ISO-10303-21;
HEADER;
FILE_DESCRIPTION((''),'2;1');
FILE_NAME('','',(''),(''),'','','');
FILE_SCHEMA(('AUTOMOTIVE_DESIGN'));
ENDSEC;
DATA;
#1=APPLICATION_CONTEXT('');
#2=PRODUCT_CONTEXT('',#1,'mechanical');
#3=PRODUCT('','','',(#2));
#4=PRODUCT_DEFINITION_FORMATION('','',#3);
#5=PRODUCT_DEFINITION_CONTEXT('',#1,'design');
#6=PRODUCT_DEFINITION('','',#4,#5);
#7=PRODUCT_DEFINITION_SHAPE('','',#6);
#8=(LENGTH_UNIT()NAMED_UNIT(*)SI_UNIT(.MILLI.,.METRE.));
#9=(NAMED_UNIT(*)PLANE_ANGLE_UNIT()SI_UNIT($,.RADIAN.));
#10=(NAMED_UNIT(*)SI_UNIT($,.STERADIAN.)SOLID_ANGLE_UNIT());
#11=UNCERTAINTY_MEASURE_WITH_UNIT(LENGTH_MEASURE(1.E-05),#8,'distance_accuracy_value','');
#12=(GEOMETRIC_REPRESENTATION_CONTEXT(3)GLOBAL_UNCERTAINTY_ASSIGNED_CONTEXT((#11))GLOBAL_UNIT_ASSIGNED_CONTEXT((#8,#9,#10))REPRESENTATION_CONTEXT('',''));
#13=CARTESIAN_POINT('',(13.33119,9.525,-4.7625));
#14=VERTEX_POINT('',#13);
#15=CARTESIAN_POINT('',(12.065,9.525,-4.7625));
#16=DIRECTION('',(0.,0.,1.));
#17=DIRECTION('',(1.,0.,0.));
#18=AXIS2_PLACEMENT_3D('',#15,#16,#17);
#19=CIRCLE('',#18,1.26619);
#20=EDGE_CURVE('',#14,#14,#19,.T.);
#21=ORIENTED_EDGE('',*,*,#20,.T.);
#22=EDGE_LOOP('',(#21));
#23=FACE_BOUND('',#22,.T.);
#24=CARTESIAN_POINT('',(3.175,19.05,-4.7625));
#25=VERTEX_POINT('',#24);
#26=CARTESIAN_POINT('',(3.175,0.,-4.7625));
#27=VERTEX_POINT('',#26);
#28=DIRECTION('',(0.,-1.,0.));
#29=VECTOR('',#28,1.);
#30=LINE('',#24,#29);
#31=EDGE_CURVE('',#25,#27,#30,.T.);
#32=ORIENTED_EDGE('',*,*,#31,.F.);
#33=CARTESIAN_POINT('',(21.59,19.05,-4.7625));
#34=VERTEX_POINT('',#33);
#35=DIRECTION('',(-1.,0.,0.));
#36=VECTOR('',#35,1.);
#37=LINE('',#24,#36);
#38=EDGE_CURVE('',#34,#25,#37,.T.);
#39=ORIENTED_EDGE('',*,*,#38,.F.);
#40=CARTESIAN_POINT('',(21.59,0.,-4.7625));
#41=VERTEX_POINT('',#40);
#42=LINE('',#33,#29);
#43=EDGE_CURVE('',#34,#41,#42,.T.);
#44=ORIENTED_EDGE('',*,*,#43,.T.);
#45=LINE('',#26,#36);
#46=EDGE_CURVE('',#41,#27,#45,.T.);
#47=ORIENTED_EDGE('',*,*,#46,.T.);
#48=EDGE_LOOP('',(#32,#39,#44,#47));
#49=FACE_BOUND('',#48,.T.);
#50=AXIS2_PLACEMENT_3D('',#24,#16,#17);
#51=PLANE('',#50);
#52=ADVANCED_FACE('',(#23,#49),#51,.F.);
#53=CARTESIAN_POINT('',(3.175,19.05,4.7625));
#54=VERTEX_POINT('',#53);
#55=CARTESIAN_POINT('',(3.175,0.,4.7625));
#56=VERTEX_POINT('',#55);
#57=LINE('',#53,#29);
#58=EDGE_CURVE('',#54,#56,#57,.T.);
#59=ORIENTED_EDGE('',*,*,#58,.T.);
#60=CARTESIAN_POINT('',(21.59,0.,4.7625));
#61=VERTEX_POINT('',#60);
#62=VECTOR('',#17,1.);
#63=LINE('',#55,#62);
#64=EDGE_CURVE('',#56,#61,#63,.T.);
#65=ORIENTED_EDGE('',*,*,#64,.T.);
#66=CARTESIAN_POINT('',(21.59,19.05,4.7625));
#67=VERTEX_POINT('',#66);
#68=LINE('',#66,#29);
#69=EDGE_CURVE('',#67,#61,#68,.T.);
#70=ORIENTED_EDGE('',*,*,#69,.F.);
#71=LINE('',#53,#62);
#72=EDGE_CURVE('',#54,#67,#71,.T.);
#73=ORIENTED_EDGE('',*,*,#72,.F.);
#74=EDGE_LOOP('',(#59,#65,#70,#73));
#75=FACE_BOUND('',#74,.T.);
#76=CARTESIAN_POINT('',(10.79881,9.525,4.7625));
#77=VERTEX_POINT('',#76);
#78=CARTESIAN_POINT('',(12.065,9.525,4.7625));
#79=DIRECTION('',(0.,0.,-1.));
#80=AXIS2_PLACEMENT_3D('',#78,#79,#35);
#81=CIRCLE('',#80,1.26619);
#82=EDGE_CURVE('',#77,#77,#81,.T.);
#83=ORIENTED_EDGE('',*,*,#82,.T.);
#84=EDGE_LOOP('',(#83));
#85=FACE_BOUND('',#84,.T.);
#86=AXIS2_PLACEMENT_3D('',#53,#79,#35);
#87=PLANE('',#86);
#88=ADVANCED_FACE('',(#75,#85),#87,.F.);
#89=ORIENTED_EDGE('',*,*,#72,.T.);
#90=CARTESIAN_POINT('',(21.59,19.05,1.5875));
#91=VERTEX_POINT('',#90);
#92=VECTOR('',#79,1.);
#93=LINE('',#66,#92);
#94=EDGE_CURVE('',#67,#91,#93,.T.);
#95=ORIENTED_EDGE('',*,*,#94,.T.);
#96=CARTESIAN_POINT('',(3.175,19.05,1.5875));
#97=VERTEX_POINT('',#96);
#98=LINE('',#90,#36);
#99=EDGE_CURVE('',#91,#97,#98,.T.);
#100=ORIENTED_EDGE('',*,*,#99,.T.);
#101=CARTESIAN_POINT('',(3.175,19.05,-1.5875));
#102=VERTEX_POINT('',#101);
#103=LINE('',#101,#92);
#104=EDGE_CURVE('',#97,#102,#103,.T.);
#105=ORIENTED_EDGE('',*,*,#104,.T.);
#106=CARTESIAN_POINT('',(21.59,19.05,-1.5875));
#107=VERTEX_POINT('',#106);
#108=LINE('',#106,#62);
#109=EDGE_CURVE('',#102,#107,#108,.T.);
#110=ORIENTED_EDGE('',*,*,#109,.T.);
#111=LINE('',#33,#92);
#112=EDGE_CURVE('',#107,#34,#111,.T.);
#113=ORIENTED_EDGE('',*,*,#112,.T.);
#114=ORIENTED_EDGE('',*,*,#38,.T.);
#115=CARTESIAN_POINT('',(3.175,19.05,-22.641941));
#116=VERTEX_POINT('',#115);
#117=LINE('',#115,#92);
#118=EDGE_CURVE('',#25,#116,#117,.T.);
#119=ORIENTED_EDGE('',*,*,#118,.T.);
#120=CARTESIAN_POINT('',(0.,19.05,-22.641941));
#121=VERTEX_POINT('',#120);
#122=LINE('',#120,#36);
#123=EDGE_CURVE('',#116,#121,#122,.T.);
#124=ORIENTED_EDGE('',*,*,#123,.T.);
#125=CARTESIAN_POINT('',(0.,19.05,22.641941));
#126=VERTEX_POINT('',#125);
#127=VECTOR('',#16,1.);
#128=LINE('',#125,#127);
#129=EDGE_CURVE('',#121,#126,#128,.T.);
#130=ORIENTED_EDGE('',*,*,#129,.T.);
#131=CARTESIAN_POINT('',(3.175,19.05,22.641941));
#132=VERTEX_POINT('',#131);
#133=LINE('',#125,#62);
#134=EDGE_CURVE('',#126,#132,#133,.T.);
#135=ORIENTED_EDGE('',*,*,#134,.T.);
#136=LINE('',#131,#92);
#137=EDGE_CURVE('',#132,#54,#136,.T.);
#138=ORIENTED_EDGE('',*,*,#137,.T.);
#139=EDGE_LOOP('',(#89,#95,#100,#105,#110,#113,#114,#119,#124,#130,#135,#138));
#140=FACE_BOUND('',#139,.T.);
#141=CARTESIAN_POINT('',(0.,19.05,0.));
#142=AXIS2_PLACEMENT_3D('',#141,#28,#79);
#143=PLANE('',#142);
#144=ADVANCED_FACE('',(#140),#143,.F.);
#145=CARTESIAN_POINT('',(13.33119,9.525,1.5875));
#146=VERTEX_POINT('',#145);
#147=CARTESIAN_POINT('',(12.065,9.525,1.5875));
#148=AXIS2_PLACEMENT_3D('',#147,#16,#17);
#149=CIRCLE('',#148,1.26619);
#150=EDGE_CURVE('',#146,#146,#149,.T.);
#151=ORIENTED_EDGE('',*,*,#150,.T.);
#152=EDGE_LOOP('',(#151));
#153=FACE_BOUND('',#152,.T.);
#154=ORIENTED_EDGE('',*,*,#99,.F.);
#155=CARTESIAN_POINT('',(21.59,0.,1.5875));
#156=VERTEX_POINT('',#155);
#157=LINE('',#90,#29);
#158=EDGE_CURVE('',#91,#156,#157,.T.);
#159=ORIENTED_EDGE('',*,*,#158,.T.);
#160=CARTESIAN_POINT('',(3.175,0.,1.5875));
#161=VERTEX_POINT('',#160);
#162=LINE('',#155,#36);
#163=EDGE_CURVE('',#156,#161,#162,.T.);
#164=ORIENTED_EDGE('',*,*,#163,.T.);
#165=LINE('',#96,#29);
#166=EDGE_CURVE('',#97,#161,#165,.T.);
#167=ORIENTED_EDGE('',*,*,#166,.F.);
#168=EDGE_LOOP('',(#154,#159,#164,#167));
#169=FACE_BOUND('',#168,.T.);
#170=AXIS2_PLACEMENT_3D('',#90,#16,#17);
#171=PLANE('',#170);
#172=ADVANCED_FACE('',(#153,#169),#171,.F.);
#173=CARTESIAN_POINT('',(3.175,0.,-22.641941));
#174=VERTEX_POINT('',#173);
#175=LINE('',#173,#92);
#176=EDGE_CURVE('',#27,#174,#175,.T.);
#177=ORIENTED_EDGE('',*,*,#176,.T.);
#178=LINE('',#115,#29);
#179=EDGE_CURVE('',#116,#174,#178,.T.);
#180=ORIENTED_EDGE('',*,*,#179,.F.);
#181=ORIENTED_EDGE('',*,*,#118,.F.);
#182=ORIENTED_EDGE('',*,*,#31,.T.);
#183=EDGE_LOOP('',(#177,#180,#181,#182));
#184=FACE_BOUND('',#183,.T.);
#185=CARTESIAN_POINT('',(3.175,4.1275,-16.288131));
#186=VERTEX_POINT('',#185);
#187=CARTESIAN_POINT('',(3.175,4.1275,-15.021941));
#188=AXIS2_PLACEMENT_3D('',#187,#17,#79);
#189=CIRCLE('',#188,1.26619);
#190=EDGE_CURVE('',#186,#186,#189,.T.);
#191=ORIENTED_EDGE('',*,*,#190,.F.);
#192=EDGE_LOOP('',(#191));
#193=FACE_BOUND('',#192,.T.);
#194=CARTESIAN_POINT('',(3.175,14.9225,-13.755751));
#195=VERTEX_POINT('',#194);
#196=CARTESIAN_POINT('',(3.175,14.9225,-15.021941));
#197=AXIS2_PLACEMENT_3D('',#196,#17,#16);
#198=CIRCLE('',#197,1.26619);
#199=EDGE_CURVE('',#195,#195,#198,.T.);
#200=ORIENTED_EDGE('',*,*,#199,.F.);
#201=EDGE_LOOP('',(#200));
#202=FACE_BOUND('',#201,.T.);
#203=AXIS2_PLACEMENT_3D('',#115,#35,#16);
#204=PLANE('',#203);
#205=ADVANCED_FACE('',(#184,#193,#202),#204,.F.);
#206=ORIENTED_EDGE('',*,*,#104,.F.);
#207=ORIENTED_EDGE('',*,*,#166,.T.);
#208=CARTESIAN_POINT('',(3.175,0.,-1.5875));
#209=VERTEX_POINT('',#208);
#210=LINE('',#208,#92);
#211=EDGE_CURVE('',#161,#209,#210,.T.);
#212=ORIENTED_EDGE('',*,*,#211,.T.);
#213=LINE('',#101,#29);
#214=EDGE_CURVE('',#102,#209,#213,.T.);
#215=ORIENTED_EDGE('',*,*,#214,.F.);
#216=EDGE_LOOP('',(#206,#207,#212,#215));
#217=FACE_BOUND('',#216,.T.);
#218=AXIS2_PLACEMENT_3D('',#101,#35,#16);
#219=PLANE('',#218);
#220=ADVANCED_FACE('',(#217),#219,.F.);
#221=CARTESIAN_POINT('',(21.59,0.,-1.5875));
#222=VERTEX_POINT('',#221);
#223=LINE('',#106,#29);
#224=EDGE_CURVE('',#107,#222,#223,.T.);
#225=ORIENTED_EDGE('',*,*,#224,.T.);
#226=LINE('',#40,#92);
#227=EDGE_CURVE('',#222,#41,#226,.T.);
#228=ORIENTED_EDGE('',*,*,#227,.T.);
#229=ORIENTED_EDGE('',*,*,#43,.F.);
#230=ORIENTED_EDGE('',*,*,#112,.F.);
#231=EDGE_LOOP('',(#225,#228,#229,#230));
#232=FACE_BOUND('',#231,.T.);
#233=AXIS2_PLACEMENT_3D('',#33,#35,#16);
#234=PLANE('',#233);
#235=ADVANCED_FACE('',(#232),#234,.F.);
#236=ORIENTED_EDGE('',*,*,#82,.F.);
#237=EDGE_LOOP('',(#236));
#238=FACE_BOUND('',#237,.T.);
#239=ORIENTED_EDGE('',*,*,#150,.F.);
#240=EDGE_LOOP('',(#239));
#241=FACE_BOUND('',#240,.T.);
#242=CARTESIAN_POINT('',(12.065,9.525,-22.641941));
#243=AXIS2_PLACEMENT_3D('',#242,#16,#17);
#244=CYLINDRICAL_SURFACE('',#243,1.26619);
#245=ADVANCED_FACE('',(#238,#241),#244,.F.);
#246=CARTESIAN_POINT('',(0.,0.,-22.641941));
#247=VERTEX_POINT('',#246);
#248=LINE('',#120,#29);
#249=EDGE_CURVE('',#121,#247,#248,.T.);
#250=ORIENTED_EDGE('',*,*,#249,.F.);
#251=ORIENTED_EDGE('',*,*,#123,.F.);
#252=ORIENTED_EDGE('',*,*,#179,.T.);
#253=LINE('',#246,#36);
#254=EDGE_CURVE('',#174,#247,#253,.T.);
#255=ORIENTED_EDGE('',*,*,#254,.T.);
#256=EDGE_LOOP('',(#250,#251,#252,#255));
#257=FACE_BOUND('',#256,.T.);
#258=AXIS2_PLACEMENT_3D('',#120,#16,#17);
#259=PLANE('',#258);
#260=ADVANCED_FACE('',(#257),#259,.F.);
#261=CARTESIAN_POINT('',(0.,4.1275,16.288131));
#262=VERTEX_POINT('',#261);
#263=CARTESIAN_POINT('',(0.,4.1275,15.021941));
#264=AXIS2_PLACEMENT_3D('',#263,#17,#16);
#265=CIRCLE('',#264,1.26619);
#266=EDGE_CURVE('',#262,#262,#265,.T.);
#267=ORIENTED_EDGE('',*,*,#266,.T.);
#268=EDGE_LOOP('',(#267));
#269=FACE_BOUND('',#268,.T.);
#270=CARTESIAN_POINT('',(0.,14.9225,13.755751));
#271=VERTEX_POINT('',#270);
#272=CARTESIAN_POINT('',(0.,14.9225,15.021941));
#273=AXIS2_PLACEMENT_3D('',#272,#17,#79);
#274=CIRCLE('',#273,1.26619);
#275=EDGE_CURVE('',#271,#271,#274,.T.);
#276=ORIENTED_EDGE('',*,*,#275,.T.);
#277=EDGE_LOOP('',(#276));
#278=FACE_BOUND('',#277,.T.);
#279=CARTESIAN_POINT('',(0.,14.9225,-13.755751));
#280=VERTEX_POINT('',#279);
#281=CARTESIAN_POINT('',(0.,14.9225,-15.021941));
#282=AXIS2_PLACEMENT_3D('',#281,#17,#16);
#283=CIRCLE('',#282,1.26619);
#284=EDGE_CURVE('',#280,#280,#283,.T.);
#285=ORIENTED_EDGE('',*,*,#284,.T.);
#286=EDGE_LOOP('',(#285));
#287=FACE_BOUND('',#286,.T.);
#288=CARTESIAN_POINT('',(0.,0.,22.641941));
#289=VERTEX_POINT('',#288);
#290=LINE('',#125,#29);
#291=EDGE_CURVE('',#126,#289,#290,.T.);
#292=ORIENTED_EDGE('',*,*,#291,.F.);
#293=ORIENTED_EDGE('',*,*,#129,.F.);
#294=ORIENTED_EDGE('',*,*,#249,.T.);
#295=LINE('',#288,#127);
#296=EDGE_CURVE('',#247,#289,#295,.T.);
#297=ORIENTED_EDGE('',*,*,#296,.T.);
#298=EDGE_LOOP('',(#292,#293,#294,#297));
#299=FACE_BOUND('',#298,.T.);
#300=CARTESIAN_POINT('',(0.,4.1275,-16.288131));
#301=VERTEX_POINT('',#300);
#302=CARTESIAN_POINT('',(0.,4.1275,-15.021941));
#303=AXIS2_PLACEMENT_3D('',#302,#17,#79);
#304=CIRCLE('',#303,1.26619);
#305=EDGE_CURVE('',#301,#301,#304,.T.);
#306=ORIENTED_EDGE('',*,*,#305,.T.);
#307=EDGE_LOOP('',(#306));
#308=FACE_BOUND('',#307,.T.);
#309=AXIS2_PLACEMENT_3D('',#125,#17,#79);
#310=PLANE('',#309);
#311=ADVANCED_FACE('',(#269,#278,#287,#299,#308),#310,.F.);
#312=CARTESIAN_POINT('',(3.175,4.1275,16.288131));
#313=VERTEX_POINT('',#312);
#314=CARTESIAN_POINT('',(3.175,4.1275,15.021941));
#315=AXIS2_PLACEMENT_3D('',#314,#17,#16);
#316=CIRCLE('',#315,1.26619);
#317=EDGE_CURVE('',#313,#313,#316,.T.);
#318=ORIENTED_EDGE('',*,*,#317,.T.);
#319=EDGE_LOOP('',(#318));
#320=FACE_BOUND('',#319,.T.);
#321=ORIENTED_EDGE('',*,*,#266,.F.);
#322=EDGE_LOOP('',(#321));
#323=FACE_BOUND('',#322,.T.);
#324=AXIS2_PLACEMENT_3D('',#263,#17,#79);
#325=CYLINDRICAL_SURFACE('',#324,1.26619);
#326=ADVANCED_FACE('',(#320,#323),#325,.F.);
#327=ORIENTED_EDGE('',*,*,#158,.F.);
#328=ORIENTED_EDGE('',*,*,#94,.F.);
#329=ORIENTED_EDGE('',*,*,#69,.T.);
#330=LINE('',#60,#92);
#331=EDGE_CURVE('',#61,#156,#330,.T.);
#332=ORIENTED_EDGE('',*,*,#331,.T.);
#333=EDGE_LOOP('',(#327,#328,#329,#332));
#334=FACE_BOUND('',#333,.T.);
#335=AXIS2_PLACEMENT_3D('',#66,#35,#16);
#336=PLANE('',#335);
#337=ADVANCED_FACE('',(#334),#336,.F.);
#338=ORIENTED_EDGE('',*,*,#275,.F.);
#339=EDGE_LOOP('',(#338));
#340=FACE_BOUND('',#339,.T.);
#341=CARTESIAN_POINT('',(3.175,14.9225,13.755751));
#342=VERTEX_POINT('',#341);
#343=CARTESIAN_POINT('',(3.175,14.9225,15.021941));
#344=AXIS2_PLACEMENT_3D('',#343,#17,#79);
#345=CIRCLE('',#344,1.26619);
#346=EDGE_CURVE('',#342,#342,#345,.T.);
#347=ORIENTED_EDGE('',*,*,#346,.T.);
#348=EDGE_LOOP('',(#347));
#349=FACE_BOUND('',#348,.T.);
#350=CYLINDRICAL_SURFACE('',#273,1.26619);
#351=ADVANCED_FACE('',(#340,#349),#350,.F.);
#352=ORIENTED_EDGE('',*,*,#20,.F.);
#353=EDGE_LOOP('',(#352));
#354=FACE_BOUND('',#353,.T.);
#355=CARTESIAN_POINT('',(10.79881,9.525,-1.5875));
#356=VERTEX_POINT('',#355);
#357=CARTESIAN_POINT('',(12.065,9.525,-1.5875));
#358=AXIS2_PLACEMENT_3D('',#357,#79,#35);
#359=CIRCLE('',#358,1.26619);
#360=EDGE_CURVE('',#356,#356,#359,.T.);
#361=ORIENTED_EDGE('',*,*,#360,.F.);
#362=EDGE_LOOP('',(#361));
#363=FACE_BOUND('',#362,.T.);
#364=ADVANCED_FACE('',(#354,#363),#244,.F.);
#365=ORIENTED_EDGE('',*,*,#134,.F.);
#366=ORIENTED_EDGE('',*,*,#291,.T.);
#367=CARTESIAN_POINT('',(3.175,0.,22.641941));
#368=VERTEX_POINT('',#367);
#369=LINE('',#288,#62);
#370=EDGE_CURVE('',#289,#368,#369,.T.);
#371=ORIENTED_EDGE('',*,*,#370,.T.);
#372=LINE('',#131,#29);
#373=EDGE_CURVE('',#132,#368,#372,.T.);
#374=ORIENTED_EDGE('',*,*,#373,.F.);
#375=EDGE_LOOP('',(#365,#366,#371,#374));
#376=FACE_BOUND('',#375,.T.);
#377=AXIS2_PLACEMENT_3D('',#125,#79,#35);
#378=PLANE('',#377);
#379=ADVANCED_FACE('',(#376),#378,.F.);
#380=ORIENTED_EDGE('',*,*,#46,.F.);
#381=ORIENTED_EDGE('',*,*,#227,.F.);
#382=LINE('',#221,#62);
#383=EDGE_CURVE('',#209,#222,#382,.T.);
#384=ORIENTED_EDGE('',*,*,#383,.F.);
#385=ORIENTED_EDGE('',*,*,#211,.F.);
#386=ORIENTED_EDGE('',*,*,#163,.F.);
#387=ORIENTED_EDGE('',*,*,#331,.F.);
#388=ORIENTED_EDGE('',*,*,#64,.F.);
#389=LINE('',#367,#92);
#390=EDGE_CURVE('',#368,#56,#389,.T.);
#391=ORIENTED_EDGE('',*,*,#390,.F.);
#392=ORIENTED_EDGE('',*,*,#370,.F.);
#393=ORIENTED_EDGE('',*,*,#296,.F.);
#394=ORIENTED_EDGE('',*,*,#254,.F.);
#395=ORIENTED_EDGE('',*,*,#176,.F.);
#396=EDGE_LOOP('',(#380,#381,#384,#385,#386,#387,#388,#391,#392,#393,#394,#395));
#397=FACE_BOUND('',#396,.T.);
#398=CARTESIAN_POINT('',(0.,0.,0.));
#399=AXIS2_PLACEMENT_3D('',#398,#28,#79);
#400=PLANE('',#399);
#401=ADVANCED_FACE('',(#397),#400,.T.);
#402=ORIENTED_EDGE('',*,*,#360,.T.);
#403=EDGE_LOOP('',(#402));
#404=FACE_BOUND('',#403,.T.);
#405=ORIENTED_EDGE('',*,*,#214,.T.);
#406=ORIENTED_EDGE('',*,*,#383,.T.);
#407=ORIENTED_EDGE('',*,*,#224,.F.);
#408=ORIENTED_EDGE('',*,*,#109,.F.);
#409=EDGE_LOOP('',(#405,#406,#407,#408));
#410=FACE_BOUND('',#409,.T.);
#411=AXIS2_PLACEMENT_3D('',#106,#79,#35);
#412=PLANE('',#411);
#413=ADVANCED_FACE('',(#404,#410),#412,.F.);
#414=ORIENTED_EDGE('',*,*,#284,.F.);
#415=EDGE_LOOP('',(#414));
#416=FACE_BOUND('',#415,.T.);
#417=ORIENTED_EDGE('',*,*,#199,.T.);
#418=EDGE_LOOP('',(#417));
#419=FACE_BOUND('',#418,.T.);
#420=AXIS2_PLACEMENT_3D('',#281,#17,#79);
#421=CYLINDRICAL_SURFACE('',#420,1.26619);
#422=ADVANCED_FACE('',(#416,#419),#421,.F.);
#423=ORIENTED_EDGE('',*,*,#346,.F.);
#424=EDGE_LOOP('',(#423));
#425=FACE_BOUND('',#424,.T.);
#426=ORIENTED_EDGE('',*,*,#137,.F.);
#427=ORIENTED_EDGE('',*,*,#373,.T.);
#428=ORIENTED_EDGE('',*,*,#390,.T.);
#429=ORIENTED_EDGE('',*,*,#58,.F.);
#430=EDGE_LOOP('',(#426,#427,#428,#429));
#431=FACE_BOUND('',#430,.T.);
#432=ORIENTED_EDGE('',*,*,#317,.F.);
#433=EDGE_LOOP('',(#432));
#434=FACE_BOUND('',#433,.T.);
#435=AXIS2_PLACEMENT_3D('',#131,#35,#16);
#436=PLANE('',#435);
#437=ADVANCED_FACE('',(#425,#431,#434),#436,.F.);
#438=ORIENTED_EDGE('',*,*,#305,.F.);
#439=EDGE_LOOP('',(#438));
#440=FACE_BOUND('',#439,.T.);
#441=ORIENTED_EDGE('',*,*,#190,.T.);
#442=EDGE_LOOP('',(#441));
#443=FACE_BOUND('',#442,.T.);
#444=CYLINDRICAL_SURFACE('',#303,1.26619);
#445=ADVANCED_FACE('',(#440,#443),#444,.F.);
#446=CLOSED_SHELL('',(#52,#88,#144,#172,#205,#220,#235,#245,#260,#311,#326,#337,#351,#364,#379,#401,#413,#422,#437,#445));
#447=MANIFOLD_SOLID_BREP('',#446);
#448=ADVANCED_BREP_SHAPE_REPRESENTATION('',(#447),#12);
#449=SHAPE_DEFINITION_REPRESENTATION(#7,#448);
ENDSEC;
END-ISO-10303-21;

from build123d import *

# Parameters (mm, degrees)
BOSS_EXTRUDE1_DEPTH     = 19.05
SKETCH2_R               = 1.26619
CUT_EXTRUDE1_DEPTH      = 18.879441165
CUT_EXTRUDE1_DEPTH_BACK = 28.404441165
SKETCH3_R               = 1.26619
CUT_EXTRUDE2_DEPTH      = 4.175


with BuildPart() as part:
    # Sketch1 → Boss-Extrude1 (new body)
    with BuildSketch(Plane(origin=(0, 0, 0), x_dir=(1, 0, 0), z_dir=(0, 1, 0))):
        Polygon((0, -22.641941165), (0, 22.641941165), (3.175, 22.641941165), (3.175, 4.7625), (21.59, 4.7625), (21.59, 1.5875), (3.175, 1.5875), (3.175, -1.5875), (21.59, -1.5875), (21.59, -4.7625), (3.175, -4.7625), (3.175, -22.641941165), align=None)
    extrude(amount=BOSS_EXTRUDE1_DEPTH)

    # Sketch2 → Cut-Extrude1 (cut, two sides)
    with BuildSketch(Plane.XY.offset(4.7625)) as cut_extrude1_sk:
        with Locations((12.065, 9.525)):
            Circle(SKETCH2_R)
    extrude(amount=CUT_EXTRUDE1_DEPTH, mode=Mode.SUBTRACT)
    extrude(cut_extrude1_sk.sketch, amount=-CUT_EXTRUDE1_DEPTH_BACK, mode=Mode.SUBTRACT)

    # Sketch3 → Cut-Extrude2 (cut, through all)
    with BuildSketch(Plane(origin=(3.175, 0, 0), x_dir=(0, 0, -1), z_dir=(1, 0, 0))):
        with Locations((-15.021941165, 14.9225)):
            Circle(SKETCH3_R)
        with Locations((-15.021941165, 4.1275)):
            Circle(SKETCH3_R)
        with Locations((15.021941165, 4.1275)):
            Circle(SKETCH3_R)
        with Locations((15.021941165, 14.9225)):
            Circle(SKETCH3_R)
    extrude(amount=-CUT_EXTRUDE2_DEPTH, mode=Mode.SUBTRACT)


solid = part.part
